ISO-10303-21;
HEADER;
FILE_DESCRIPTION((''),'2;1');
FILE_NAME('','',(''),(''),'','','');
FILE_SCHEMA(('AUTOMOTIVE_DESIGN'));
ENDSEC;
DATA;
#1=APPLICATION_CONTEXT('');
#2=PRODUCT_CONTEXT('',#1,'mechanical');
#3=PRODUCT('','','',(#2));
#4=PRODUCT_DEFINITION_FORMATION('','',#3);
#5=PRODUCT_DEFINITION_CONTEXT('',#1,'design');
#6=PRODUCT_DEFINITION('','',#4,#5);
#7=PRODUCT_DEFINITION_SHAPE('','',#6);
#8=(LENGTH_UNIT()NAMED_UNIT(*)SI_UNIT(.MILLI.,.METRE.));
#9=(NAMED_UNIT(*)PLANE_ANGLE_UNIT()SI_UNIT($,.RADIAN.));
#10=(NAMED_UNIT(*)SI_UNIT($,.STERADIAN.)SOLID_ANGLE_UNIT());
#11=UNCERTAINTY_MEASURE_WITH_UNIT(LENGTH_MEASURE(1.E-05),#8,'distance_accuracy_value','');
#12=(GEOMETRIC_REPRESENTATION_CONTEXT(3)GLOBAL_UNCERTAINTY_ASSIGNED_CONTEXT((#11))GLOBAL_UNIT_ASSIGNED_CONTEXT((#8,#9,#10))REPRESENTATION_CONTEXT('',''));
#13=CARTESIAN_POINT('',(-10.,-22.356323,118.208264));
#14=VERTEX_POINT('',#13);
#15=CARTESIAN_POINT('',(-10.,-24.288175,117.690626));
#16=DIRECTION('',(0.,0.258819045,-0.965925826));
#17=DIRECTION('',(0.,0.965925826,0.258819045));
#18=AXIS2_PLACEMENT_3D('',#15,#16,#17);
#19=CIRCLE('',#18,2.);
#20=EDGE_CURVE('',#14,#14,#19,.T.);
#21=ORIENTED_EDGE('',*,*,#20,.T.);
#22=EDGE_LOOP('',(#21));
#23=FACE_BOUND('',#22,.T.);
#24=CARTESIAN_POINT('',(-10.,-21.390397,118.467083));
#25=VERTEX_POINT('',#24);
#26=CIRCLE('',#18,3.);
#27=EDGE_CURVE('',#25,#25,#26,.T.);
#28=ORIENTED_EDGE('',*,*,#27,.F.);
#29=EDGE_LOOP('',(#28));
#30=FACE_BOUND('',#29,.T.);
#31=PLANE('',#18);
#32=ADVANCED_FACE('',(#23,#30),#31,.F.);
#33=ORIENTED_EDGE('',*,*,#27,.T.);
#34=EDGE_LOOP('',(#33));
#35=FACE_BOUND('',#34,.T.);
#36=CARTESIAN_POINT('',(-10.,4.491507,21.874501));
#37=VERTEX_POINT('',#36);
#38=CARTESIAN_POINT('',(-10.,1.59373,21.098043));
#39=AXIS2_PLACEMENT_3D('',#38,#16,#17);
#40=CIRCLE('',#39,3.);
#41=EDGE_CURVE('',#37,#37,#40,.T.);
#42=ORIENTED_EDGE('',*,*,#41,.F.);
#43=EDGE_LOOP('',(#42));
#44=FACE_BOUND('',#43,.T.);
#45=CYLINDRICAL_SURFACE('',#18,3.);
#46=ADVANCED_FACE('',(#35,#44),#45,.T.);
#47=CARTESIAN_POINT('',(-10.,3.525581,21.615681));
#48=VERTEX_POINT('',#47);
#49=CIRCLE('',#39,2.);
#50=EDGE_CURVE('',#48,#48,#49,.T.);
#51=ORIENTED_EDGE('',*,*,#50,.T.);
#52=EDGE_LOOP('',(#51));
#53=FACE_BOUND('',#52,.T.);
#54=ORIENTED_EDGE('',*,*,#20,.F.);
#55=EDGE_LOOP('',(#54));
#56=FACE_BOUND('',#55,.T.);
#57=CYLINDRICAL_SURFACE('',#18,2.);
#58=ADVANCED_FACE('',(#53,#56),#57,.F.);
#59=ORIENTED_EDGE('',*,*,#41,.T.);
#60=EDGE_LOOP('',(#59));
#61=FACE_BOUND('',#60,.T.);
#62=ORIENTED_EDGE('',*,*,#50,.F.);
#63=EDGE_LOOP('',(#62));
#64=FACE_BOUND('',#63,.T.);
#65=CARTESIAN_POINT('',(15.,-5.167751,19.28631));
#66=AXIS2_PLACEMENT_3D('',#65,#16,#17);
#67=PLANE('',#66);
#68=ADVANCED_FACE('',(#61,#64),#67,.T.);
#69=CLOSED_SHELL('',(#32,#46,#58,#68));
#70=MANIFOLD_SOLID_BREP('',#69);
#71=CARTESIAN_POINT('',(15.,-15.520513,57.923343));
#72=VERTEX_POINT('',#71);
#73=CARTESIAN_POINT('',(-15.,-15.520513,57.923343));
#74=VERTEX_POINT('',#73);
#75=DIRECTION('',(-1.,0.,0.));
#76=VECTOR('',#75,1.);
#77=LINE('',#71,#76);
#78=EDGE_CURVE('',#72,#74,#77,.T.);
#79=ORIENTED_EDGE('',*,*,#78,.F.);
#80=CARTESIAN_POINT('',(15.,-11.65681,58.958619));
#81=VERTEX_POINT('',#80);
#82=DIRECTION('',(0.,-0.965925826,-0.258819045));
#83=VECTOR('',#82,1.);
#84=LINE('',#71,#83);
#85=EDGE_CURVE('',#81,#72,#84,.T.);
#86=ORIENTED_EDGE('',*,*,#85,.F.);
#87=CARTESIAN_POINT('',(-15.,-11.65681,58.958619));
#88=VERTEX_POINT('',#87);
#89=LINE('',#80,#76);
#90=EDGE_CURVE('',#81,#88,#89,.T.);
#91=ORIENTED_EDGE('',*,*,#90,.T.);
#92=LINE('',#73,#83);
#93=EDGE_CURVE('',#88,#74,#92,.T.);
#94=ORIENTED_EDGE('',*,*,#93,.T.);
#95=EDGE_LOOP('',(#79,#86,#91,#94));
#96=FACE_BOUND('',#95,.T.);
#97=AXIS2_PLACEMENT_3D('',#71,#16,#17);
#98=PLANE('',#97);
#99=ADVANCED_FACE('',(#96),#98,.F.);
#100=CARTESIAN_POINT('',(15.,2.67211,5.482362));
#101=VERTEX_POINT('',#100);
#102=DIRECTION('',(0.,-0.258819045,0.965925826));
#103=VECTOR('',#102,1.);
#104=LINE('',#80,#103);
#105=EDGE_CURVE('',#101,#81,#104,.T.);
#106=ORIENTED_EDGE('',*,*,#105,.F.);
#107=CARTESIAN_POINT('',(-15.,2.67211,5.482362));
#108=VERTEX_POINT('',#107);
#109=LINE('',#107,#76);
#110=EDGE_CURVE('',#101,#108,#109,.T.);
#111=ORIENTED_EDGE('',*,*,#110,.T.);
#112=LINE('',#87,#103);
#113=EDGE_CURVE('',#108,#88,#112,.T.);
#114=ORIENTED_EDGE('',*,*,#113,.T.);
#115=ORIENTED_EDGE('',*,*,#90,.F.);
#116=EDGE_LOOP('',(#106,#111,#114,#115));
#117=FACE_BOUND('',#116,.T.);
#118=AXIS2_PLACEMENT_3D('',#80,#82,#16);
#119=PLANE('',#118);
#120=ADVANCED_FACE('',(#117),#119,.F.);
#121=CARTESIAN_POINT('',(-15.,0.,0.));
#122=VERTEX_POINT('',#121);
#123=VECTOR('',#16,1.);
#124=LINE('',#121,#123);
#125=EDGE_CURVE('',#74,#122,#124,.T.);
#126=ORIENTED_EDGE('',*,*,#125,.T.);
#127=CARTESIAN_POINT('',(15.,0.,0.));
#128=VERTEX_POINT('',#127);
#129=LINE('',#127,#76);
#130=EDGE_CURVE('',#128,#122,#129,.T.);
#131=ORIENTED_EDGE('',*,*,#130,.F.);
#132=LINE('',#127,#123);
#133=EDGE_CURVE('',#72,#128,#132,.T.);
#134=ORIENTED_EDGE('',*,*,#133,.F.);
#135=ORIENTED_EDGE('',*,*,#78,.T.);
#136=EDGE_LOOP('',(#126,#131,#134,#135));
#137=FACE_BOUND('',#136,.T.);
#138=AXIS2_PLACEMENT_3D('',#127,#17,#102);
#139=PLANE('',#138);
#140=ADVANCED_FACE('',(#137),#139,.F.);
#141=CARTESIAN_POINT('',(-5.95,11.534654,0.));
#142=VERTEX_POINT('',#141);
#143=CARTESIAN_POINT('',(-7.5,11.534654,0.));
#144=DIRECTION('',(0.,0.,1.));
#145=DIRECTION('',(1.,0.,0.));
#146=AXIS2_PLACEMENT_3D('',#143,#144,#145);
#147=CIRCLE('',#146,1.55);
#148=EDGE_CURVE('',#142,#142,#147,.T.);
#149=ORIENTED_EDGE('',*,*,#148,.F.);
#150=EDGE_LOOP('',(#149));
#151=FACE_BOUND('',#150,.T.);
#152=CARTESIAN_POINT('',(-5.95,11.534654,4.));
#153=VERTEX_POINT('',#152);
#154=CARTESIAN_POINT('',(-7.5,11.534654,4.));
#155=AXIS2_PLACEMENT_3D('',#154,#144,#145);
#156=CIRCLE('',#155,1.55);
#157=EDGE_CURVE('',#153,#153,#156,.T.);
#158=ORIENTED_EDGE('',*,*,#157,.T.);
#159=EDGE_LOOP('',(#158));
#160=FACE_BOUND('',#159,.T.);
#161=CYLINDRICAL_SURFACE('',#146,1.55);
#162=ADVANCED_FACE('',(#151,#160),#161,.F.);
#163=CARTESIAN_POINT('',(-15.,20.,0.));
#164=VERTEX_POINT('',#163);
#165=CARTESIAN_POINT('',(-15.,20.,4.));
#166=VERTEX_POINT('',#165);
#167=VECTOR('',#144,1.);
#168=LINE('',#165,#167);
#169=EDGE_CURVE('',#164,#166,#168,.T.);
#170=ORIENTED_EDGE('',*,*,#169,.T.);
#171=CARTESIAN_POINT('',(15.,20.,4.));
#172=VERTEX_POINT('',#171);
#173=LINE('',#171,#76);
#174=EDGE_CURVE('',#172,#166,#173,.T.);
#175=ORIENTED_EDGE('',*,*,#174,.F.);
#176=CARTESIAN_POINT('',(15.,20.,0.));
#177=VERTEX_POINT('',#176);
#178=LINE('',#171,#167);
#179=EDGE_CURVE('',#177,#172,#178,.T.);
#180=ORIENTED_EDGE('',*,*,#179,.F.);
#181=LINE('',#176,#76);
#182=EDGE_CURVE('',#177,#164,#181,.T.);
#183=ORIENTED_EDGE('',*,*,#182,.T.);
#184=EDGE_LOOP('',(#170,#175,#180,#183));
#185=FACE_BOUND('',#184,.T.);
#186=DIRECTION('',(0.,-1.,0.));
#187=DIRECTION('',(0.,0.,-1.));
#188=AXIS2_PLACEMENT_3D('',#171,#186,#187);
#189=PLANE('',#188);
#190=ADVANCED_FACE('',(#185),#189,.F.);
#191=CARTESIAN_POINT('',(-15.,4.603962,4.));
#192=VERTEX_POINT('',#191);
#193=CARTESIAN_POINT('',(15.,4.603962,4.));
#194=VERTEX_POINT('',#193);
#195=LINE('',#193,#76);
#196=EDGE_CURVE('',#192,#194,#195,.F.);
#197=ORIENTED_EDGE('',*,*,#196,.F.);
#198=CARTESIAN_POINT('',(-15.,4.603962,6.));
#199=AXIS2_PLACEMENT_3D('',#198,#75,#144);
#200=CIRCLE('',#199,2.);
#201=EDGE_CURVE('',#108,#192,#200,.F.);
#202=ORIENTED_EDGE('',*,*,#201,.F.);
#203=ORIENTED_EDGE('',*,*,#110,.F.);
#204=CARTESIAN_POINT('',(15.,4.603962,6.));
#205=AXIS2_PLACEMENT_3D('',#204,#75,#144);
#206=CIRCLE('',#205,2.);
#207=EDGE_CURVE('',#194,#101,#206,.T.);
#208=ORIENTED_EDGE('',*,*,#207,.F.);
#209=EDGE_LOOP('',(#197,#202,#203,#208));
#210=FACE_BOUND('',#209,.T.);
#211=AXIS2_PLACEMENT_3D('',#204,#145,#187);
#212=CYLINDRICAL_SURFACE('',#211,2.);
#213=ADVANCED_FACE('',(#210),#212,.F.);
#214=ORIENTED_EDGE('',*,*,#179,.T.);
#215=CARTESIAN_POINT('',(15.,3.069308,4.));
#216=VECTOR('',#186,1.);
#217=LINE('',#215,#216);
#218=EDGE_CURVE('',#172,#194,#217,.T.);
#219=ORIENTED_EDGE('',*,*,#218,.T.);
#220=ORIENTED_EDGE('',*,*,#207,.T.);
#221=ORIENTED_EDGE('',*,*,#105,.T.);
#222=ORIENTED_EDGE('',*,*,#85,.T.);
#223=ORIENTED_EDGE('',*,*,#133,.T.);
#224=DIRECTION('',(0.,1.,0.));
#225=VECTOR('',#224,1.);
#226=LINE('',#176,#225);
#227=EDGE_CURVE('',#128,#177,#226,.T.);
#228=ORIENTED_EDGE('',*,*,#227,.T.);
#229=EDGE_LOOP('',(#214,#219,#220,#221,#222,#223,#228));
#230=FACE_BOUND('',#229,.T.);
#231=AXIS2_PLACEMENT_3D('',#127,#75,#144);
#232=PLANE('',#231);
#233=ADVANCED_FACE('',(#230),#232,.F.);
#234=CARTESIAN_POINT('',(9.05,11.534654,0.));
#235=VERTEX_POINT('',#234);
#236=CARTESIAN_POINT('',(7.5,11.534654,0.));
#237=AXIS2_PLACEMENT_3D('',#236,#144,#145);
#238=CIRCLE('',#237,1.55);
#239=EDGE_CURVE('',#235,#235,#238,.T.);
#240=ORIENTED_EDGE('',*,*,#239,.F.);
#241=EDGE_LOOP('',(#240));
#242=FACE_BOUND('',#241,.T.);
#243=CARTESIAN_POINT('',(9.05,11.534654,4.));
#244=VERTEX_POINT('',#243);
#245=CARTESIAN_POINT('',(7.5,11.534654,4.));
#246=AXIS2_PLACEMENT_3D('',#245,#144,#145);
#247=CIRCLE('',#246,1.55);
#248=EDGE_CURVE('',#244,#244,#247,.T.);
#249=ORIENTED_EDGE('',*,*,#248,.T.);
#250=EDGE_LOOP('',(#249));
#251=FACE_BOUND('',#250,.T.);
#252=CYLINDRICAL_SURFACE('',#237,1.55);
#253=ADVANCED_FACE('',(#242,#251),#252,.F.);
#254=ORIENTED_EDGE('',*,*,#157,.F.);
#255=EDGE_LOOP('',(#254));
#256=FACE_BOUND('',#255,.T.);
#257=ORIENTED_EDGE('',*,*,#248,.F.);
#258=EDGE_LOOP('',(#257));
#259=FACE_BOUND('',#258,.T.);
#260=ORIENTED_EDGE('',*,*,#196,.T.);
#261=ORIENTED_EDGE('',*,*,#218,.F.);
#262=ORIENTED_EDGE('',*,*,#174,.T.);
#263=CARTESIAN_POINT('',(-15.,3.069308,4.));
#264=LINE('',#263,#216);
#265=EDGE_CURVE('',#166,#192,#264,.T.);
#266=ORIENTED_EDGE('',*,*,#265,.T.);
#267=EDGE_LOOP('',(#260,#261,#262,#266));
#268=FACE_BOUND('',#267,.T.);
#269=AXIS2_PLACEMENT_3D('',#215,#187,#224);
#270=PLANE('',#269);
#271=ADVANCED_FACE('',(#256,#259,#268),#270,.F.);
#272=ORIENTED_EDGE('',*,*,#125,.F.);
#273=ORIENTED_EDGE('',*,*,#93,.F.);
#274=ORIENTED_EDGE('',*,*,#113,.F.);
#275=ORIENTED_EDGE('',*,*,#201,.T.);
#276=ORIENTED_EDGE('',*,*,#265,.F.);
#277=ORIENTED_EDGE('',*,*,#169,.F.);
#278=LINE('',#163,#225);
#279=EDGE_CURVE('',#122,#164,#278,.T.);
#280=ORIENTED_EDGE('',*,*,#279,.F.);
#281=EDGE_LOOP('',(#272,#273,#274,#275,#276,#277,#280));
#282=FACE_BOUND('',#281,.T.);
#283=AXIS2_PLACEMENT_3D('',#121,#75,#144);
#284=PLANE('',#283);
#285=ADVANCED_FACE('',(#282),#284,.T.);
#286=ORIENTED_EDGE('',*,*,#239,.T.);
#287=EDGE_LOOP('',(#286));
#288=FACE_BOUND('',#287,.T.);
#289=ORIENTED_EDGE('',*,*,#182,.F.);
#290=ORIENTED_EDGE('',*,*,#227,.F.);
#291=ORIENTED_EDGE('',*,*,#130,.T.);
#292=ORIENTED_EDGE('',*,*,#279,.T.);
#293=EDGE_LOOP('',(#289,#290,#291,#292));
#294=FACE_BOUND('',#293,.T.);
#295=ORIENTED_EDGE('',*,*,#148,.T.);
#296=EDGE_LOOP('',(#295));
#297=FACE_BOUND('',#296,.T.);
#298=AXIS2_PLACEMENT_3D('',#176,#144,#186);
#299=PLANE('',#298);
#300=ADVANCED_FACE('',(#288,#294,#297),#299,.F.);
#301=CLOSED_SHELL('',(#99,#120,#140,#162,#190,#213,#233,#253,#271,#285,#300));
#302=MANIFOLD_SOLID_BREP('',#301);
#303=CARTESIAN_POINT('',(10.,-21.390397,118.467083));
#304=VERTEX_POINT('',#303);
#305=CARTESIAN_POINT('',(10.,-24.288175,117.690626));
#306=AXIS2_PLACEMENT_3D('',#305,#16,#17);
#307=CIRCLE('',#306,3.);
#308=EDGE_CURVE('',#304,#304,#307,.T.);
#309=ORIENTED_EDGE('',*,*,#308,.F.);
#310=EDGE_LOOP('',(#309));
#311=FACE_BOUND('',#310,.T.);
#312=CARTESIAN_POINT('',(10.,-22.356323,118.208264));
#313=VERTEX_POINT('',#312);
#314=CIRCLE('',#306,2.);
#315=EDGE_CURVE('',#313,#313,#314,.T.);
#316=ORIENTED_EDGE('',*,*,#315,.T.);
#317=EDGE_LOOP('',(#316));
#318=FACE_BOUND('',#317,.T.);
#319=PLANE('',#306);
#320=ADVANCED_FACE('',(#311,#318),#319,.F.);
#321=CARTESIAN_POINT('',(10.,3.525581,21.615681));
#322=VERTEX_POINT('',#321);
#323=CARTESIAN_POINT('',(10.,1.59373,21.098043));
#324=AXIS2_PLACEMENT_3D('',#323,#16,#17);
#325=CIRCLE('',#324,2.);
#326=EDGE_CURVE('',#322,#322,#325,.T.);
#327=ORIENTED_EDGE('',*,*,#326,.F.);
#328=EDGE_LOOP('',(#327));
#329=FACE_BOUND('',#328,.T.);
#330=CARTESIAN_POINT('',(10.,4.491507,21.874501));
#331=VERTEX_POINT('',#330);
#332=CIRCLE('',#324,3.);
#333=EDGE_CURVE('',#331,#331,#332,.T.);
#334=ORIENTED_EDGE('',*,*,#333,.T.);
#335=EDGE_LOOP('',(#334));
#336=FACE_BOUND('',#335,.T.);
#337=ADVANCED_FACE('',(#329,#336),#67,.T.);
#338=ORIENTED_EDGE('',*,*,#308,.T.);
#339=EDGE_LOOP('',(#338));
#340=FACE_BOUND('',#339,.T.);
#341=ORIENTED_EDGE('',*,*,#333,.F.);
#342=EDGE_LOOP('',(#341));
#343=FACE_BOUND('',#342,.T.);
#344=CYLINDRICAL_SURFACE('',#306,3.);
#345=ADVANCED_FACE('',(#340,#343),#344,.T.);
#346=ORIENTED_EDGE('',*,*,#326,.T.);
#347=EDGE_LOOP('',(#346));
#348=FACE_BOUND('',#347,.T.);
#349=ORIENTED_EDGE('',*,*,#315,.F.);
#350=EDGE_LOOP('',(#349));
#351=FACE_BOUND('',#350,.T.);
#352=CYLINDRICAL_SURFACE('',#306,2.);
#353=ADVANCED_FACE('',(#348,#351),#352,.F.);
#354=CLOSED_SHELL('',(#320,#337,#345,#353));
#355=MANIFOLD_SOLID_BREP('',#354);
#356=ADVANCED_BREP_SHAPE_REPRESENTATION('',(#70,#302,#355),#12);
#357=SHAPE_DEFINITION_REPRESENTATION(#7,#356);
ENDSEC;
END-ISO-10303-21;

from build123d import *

# Parameters (mm, degrees)
BOSS_EXTRUDE1_DEPTH        = 15
SKETCH2_R                  = 3
SKETCH2_R_2                = 2
BOSS_EXTRUDE2_DEPTH        = 40
BOSS_EXTRUDE2_DEPTH_BACK   = 60
BOSS_EXTRUDE2_2_DEPTH      = 40
BOSS_EXTRUDE2_2_DEPTH_BACK = 60
SKETCH4_R                  = 1.55
CUT_EXTRUDE1_DEPTH         = 5
FILLET1_R                  = 2


with BuildPart() as part:
    # Sketch1 → Boss-Extrude1 (new body, symmetric)
    with BuildSketch(Plane.YZ):
        Polygon((-11.656809702, 58.958619281), (3.069307952, 4), (20, 4), (20, 0), (0, 0), (-15.520513007, 57.923343101), align=None)
    extrude(amount=BOSS_EXTRUDE1_DEPTH, both=True)

    # Sketch4 → Cut-Extrude1 (cut, through all)
    with BuildSketch(Plane.XY.offset(4)):
        with Locations((-7.5, 11.534653976)):
            Circle(SKETCH4_R)
        with Locations((7.5, 11.534653976)):
            Circle(SKETCH4_R)
    extrude(amount=-CUT_EXTRUDE1_DEPTH, mode=Mode.SUBTRACT)

    # Fillet1
    fillet1_edges = [part.edges().sort_by_distance(p)[0] for p in [
        (0, 3.069307952, 4),
    ]]
    fillet(fillet1_edges, radius=FILLET1_R)


with BuildPart() as body_2:
    # Sketch2 → Boss-Extrude2 (new body, two sides)
    with BuildSketch(Plane(origin=(0, -15.520513007, 57.923343101), x_dir=(-1, 0, 0), z_dir=(0, 0.258819045, -0.965925826))) as boss_extrude2_sk:
        with Locations((-10, 7)):
            Circle(SKETCH2_R)
        with Locations((-10, 7)):
            Circle(SKETCH2_R_2, mode=Mode.SUBTRACT)
    extrude(amount=BOSS_EXTRUDE2_DEPTH)
    extrude(boss_extrude2_sk.sketch, amount=-BOSS_EXTRUDE2_DEPTH_BACK)


with BuildPart() as body_3:
    # Sketch2 → Boss-Extrude2 2 (new body, two sides)
    with BuildSketch(Plane(origin=(0, -15.520513007, 57.923343101), x_dir=(-1, 0, 0), z_dir=(0, 0.258819045, -0.965925826))) as boss_extrude2_2_sk:
        with Locations((10, 7)):
            Circle(SKETCH2_R)
        with Locations((10, 7)):
            Circle(SKETCH2_R_2, mode=Mode.SUBTRACT)
    extrude(amount=BOSS_EXTRUDE2_2_DEPTH)
    extrude(boss_extrude2_2_sk.sketch, amount=-BOSS_EXTRUDE2_2_DEPTH_BACK)


solid = Compound([part.part, body_2.part, body_3.part])
